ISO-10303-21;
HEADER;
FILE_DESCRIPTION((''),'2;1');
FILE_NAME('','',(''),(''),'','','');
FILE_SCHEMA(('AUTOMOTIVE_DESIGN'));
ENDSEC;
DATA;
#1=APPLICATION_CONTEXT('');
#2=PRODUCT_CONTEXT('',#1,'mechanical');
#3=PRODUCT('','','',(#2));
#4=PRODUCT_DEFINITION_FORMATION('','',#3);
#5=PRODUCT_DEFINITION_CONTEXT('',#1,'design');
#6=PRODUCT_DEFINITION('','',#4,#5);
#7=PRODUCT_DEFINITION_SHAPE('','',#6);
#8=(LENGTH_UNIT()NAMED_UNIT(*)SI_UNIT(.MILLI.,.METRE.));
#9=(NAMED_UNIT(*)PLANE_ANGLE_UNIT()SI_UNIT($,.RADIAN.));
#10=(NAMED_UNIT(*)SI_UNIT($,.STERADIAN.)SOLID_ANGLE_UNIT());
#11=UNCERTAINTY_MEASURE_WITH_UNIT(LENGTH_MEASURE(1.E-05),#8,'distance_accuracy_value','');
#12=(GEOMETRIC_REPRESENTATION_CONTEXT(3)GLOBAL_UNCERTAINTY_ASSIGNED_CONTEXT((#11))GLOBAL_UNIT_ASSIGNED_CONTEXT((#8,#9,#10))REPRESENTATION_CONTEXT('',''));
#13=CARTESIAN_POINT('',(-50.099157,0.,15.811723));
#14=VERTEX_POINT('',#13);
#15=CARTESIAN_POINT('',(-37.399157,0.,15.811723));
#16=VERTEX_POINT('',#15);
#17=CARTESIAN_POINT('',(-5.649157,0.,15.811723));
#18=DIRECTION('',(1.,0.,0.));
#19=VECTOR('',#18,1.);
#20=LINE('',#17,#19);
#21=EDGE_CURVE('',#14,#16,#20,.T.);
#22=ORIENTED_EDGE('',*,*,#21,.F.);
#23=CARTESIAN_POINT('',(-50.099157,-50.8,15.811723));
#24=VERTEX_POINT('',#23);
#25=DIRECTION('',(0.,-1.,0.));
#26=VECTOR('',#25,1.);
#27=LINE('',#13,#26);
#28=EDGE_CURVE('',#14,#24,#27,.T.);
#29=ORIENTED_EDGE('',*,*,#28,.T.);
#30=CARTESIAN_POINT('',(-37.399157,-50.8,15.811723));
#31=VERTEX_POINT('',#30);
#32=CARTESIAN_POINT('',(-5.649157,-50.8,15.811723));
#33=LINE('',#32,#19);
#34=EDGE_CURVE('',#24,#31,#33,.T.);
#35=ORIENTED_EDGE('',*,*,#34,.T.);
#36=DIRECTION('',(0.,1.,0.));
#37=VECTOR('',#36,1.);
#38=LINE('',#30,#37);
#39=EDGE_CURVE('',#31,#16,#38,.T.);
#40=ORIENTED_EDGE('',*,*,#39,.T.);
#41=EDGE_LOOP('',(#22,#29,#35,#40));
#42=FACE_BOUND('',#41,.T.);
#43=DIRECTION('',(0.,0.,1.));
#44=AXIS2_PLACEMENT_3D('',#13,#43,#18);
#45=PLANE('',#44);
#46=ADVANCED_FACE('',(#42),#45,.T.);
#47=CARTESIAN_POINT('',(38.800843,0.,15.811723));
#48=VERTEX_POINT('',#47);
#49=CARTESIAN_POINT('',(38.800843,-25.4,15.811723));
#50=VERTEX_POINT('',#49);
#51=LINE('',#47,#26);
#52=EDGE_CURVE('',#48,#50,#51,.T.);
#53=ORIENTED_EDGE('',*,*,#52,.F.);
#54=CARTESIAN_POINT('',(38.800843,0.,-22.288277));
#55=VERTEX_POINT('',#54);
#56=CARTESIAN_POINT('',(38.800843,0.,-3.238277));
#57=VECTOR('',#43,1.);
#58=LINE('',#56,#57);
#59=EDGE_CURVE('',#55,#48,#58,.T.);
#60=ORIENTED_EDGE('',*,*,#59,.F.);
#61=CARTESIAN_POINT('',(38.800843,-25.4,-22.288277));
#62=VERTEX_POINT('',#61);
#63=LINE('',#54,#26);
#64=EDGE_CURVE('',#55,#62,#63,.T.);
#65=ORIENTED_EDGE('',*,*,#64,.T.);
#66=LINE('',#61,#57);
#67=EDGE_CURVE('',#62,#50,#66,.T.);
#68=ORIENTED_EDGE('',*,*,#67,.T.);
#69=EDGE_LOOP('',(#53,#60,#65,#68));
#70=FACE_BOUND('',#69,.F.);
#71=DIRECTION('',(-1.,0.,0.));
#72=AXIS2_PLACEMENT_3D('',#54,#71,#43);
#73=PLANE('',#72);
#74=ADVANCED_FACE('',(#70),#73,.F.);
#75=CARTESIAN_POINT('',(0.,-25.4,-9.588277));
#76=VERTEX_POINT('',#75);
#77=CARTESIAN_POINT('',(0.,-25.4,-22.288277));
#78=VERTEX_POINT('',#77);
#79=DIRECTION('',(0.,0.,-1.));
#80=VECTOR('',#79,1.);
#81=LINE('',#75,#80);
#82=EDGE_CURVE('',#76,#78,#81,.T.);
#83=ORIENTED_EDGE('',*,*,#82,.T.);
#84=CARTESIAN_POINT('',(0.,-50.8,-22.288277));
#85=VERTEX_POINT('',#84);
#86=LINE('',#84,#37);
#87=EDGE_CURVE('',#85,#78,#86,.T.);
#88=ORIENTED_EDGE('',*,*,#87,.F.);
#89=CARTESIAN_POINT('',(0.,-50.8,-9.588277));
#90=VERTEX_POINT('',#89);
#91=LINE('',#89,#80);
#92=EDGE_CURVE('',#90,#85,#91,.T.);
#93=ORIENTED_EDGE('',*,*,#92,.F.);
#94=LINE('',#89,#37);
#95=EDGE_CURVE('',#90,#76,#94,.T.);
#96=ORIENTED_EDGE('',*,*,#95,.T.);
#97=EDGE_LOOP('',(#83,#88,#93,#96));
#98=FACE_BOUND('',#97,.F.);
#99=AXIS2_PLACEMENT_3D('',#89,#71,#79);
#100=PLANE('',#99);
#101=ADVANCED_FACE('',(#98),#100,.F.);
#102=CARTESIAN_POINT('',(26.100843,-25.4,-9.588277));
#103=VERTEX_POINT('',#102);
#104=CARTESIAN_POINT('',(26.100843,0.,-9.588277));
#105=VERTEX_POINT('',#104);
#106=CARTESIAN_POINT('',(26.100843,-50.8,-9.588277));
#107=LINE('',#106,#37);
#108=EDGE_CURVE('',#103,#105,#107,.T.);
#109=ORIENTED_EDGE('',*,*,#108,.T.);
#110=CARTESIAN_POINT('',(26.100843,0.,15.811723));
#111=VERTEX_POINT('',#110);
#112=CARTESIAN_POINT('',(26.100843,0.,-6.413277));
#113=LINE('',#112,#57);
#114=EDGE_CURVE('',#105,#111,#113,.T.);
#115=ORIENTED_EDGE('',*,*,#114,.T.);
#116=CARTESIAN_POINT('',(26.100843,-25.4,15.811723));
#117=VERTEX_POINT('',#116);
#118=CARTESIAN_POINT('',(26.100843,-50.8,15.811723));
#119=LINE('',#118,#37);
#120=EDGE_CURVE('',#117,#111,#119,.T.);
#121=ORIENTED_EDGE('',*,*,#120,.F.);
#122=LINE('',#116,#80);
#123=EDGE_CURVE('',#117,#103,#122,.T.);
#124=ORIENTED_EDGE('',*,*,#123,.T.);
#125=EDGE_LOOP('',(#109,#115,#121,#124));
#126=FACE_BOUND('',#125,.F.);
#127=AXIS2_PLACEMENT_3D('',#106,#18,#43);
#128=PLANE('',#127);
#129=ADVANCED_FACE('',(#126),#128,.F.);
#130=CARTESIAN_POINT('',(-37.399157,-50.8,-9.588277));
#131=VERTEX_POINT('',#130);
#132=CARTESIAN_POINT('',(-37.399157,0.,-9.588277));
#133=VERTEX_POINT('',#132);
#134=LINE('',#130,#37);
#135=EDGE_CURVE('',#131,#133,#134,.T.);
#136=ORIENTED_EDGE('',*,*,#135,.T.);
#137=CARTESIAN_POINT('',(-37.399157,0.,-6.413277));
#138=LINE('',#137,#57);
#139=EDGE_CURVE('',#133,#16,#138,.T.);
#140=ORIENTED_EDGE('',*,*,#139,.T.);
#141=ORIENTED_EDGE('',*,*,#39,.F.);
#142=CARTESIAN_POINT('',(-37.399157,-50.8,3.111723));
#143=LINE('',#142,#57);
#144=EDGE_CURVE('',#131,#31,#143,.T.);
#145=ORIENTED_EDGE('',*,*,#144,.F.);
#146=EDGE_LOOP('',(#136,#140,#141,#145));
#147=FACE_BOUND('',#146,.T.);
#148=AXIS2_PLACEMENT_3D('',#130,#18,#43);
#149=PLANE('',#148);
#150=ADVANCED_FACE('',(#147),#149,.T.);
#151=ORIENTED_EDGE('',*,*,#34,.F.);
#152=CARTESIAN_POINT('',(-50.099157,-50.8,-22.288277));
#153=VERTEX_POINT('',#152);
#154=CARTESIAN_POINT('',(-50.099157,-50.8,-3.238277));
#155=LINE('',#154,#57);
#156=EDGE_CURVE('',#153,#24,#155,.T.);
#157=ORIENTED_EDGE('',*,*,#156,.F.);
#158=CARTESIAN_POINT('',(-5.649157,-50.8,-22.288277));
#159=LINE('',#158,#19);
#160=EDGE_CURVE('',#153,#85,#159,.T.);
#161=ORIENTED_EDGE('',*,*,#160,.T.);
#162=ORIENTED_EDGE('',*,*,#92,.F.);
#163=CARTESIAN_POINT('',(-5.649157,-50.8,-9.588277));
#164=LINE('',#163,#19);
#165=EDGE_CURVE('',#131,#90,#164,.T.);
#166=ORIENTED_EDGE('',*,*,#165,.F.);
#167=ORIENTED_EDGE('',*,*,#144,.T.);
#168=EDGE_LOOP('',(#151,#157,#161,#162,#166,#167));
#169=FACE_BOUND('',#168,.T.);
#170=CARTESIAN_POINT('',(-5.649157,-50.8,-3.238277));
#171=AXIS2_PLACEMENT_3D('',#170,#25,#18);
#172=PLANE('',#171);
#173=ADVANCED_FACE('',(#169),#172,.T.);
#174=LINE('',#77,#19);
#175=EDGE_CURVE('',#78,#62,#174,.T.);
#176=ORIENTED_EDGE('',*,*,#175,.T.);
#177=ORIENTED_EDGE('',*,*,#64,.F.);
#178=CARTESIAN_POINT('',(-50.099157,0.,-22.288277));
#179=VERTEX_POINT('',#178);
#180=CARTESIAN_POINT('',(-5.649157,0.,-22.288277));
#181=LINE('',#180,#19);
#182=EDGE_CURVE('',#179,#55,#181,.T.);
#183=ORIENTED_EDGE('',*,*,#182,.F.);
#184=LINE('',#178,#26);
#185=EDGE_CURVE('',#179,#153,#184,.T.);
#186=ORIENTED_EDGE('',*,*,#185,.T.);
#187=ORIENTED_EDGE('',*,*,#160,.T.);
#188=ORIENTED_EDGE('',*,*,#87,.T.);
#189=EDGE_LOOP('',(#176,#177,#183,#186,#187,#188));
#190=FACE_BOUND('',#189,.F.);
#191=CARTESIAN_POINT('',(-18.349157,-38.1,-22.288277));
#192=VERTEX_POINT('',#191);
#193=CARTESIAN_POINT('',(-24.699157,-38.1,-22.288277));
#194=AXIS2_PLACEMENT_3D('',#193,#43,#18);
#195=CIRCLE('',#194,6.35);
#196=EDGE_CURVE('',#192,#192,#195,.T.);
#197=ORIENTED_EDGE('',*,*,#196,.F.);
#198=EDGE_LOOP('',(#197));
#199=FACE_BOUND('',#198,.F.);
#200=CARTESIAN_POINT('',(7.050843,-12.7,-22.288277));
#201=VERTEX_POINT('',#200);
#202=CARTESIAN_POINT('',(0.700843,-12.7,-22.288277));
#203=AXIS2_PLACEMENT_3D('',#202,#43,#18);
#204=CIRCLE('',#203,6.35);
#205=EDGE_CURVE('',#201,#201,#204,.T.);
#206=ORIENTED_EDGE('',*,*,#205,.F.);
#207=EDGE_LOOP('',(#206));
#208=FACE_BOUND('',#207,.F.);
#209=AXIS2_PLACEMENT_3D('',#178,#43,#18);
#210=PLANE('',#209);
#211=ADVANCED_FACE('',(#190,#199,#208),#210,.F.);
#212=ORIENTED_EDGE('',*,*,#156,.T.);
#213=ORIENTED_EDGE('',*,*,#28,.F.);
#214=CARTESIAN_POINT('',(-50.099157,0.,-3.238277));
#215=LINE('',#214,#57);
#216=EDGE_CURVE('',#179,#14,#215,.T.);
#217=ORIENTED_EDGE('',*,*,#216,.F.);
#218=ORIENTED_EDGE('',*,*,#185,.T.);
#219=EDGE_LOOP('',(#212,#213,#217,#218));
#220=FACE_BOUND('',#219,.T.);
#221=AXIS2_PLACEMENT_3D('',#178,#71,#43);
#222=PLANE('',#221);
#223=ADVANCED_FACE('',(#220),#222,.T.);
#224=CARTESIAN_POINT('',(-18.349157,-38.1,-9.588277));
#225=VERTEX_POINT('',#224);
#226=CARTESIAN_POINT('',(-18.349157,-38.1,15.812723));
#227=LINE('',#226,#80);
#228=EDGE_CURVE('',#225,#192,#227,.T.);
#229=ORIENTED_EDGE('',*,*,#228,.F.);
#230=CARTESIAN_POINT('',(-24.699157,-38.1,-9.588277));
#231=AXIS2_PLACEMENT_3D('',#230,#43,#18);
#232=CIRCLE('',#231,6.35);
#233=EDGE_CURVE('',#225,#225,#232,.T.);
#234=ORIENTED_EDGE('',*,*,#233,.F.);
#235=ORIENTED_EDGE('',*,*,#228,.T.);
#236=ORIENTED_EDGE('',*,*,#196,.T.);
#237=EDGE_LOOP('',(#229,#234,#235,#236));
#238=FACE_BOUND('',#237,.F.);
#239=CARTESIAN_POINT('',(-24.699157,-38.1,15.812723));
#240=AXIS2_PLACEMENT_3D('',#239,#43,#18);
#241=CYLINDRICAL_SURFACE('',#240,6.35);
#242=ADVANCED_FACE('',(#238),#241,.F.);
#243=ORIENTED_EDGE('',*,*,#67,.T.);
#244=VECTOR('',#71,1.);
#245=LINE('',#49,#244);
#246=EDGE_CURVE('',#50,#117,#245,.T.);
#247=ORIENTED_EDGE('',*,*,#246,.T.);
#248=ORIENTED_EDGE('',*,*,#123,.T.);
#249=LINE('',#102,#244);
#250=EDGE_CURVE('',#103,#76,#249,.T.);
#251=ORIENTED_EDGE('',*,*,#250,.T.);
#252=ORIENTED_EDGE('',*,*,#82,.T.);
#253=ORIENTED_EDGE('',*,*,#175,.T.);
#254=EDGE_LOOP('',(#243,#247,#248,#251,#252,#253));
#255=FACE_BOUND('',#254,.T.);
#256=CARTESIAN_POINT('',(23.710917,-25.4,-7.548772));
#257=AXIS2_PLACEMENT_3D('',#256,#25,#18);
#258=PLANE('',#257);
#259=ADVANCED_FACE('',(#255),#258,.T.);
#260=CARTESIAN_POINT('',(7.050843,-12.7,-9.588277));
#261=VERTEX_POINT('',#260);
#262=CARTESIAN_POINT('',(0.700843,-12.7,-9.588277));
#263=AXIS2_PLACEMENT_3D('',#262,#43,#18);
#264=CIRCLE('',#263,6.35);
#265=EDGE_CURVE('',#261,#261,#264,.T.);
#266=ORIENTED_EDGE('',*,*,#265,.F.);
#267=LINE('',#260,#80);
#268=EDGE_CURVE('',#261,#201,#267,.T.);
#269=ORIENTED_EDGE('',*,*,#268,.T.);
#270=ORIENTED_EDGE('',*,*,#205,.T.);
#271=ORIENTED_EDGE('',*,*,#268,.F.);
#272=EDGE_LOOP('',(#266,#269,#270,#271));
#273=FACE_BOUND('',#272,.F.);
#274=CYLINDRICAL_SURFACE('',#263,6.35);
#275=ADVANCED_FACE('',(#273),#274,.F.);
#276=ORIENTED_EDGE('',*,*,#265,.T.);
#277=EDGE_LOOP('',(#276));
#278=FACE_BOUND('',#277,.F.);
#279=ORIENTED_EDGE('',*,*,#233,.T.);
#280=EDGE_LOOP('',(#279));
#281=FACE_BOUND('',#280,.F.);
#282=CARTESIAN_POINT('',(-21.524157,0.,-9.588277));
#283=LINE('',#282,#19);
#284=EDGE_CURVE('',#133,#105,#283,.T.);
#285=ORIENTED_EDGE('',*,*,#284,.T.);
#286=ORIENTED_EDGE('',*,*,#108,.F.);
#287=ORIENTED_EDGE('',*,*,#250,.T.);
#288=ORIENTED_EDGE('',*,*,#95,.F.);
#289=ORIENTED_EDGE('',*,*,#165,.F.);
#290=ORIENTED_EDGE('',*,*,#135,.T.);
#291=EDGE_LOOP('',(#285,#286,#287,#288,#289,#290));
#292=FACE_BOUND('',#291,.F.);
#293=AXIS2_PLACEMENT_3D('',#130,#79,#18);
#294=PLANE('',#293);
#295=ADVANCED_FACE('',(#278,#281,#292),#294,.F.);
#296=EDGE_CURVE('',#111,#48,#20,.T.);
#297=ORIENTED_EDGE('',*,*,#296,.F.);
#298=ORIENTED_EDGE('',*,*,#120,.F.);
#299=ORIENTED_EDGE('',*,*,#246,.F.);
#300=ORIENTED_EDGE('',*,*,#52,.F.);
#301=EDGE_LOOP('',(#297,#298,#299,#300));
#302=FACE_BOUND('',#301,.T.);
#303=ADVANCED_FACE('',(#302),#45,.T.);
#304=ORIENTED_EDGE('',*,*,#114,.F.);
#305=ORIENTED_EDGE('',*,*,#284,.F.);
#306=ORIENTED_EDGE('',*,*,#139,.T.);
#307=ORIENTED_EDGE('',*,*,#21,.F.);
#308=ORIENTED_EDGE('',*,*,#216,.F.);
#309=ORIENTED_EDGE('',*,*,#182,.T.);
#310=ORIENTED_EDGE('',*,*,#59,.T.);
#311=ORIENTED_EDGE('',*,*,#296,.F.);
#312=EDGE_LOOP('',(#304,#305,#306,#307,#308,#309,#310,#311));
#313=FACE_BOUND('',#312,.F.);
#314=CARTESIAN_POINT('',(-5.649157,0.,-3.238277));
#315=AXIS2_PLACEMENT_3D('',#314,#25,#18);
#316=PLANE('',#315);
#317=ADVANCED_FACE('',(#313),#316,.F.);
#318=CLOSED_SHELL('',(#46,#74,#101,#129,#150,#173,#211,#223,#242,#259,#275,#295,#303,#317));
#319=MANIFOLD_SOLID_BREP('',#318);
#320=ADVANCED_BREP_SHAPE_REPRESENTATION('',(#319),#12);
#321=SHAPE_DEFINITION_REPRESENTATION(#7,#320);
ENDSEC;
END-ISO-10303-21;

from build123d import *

# Parameters (mm, degrees)
F0_W      = 88.9
F0_H      = 38.1
F1_DEPTH  = 50.8
F2_W      = 63.5
F2_H      = 25.4
F3_DEPTH  = 50.801
F5_DEPTH  = 25.4
F6_R      = 6.35
F8_DEPTH  = 12.701
F7_R      = 6.35
F9_DEPTH  = 25.401
F10_DEPTH = 38.102


with BuildPart() as f1:
    # F0 (on Front) → F1 (new body)
    with BuildSketch(Plane.XZ):
        with Locations((-5.6491568685, -3.2382767176)):
            Rectangle(F0_W, F0_H)
    extrude(amount=F1_DEPTH)

    # F2 (on face) → F3 (cut, through all)
    with BuildSketch(Plane.XZ.offset(50.8)):
        with Locations((-5.6491568685, 3.1117232824)):
            Rectangle(F2_W, F2_H)
    extrude(amount=-F3_DEPTH, mode=Mode.SUBTRACT)

    # F4 (on face) → F5 (cut)
    with BuildSketch(Plane.XZ.offset(50.8)):
        Polygon((26.1008431315, -9.5882767176), (0, -9.5882767176), (0, -22.2882767176), (38.8008431315, -22.2882767176), (38.8008431315, 15.8117232824), (26.1008431315, 15.8117232824), align=None)
    extrude(amount=-F5_DEPTH, mode=Mode.SUBTRACT)

    # F6 (on face) → F8 (cut, through all)
    with BuildSketch(Plane.XY.offset(-9.5882767176)):
        with Locations((0.7008431315, -12.7)):
            Circle(F6_R)
    extrude(amount=-F8_DEPTH, mode=Mode.SUBTRACT)

    # F7 (on face) → F9 (join, through all)
    with BuildSketch(Plane.XY.offset(-9.5882767176)):
        with Locations((-24.6991568685, -38.1)):
            Circle(F7_R)
    extrude(amount=F9_DEPTH)

    # F10 (cut, through all): a face of the model
    f10_faces = [f1.faces().sort_by_distance(p)[0] for p in [
        (-24.6991568685, -38.1, 15.8127232824),
    ]]
    extrude(f10_faces, amount=-F10_DEPTH, mode=Mode.SUBTRACT)


solid = f1.part
